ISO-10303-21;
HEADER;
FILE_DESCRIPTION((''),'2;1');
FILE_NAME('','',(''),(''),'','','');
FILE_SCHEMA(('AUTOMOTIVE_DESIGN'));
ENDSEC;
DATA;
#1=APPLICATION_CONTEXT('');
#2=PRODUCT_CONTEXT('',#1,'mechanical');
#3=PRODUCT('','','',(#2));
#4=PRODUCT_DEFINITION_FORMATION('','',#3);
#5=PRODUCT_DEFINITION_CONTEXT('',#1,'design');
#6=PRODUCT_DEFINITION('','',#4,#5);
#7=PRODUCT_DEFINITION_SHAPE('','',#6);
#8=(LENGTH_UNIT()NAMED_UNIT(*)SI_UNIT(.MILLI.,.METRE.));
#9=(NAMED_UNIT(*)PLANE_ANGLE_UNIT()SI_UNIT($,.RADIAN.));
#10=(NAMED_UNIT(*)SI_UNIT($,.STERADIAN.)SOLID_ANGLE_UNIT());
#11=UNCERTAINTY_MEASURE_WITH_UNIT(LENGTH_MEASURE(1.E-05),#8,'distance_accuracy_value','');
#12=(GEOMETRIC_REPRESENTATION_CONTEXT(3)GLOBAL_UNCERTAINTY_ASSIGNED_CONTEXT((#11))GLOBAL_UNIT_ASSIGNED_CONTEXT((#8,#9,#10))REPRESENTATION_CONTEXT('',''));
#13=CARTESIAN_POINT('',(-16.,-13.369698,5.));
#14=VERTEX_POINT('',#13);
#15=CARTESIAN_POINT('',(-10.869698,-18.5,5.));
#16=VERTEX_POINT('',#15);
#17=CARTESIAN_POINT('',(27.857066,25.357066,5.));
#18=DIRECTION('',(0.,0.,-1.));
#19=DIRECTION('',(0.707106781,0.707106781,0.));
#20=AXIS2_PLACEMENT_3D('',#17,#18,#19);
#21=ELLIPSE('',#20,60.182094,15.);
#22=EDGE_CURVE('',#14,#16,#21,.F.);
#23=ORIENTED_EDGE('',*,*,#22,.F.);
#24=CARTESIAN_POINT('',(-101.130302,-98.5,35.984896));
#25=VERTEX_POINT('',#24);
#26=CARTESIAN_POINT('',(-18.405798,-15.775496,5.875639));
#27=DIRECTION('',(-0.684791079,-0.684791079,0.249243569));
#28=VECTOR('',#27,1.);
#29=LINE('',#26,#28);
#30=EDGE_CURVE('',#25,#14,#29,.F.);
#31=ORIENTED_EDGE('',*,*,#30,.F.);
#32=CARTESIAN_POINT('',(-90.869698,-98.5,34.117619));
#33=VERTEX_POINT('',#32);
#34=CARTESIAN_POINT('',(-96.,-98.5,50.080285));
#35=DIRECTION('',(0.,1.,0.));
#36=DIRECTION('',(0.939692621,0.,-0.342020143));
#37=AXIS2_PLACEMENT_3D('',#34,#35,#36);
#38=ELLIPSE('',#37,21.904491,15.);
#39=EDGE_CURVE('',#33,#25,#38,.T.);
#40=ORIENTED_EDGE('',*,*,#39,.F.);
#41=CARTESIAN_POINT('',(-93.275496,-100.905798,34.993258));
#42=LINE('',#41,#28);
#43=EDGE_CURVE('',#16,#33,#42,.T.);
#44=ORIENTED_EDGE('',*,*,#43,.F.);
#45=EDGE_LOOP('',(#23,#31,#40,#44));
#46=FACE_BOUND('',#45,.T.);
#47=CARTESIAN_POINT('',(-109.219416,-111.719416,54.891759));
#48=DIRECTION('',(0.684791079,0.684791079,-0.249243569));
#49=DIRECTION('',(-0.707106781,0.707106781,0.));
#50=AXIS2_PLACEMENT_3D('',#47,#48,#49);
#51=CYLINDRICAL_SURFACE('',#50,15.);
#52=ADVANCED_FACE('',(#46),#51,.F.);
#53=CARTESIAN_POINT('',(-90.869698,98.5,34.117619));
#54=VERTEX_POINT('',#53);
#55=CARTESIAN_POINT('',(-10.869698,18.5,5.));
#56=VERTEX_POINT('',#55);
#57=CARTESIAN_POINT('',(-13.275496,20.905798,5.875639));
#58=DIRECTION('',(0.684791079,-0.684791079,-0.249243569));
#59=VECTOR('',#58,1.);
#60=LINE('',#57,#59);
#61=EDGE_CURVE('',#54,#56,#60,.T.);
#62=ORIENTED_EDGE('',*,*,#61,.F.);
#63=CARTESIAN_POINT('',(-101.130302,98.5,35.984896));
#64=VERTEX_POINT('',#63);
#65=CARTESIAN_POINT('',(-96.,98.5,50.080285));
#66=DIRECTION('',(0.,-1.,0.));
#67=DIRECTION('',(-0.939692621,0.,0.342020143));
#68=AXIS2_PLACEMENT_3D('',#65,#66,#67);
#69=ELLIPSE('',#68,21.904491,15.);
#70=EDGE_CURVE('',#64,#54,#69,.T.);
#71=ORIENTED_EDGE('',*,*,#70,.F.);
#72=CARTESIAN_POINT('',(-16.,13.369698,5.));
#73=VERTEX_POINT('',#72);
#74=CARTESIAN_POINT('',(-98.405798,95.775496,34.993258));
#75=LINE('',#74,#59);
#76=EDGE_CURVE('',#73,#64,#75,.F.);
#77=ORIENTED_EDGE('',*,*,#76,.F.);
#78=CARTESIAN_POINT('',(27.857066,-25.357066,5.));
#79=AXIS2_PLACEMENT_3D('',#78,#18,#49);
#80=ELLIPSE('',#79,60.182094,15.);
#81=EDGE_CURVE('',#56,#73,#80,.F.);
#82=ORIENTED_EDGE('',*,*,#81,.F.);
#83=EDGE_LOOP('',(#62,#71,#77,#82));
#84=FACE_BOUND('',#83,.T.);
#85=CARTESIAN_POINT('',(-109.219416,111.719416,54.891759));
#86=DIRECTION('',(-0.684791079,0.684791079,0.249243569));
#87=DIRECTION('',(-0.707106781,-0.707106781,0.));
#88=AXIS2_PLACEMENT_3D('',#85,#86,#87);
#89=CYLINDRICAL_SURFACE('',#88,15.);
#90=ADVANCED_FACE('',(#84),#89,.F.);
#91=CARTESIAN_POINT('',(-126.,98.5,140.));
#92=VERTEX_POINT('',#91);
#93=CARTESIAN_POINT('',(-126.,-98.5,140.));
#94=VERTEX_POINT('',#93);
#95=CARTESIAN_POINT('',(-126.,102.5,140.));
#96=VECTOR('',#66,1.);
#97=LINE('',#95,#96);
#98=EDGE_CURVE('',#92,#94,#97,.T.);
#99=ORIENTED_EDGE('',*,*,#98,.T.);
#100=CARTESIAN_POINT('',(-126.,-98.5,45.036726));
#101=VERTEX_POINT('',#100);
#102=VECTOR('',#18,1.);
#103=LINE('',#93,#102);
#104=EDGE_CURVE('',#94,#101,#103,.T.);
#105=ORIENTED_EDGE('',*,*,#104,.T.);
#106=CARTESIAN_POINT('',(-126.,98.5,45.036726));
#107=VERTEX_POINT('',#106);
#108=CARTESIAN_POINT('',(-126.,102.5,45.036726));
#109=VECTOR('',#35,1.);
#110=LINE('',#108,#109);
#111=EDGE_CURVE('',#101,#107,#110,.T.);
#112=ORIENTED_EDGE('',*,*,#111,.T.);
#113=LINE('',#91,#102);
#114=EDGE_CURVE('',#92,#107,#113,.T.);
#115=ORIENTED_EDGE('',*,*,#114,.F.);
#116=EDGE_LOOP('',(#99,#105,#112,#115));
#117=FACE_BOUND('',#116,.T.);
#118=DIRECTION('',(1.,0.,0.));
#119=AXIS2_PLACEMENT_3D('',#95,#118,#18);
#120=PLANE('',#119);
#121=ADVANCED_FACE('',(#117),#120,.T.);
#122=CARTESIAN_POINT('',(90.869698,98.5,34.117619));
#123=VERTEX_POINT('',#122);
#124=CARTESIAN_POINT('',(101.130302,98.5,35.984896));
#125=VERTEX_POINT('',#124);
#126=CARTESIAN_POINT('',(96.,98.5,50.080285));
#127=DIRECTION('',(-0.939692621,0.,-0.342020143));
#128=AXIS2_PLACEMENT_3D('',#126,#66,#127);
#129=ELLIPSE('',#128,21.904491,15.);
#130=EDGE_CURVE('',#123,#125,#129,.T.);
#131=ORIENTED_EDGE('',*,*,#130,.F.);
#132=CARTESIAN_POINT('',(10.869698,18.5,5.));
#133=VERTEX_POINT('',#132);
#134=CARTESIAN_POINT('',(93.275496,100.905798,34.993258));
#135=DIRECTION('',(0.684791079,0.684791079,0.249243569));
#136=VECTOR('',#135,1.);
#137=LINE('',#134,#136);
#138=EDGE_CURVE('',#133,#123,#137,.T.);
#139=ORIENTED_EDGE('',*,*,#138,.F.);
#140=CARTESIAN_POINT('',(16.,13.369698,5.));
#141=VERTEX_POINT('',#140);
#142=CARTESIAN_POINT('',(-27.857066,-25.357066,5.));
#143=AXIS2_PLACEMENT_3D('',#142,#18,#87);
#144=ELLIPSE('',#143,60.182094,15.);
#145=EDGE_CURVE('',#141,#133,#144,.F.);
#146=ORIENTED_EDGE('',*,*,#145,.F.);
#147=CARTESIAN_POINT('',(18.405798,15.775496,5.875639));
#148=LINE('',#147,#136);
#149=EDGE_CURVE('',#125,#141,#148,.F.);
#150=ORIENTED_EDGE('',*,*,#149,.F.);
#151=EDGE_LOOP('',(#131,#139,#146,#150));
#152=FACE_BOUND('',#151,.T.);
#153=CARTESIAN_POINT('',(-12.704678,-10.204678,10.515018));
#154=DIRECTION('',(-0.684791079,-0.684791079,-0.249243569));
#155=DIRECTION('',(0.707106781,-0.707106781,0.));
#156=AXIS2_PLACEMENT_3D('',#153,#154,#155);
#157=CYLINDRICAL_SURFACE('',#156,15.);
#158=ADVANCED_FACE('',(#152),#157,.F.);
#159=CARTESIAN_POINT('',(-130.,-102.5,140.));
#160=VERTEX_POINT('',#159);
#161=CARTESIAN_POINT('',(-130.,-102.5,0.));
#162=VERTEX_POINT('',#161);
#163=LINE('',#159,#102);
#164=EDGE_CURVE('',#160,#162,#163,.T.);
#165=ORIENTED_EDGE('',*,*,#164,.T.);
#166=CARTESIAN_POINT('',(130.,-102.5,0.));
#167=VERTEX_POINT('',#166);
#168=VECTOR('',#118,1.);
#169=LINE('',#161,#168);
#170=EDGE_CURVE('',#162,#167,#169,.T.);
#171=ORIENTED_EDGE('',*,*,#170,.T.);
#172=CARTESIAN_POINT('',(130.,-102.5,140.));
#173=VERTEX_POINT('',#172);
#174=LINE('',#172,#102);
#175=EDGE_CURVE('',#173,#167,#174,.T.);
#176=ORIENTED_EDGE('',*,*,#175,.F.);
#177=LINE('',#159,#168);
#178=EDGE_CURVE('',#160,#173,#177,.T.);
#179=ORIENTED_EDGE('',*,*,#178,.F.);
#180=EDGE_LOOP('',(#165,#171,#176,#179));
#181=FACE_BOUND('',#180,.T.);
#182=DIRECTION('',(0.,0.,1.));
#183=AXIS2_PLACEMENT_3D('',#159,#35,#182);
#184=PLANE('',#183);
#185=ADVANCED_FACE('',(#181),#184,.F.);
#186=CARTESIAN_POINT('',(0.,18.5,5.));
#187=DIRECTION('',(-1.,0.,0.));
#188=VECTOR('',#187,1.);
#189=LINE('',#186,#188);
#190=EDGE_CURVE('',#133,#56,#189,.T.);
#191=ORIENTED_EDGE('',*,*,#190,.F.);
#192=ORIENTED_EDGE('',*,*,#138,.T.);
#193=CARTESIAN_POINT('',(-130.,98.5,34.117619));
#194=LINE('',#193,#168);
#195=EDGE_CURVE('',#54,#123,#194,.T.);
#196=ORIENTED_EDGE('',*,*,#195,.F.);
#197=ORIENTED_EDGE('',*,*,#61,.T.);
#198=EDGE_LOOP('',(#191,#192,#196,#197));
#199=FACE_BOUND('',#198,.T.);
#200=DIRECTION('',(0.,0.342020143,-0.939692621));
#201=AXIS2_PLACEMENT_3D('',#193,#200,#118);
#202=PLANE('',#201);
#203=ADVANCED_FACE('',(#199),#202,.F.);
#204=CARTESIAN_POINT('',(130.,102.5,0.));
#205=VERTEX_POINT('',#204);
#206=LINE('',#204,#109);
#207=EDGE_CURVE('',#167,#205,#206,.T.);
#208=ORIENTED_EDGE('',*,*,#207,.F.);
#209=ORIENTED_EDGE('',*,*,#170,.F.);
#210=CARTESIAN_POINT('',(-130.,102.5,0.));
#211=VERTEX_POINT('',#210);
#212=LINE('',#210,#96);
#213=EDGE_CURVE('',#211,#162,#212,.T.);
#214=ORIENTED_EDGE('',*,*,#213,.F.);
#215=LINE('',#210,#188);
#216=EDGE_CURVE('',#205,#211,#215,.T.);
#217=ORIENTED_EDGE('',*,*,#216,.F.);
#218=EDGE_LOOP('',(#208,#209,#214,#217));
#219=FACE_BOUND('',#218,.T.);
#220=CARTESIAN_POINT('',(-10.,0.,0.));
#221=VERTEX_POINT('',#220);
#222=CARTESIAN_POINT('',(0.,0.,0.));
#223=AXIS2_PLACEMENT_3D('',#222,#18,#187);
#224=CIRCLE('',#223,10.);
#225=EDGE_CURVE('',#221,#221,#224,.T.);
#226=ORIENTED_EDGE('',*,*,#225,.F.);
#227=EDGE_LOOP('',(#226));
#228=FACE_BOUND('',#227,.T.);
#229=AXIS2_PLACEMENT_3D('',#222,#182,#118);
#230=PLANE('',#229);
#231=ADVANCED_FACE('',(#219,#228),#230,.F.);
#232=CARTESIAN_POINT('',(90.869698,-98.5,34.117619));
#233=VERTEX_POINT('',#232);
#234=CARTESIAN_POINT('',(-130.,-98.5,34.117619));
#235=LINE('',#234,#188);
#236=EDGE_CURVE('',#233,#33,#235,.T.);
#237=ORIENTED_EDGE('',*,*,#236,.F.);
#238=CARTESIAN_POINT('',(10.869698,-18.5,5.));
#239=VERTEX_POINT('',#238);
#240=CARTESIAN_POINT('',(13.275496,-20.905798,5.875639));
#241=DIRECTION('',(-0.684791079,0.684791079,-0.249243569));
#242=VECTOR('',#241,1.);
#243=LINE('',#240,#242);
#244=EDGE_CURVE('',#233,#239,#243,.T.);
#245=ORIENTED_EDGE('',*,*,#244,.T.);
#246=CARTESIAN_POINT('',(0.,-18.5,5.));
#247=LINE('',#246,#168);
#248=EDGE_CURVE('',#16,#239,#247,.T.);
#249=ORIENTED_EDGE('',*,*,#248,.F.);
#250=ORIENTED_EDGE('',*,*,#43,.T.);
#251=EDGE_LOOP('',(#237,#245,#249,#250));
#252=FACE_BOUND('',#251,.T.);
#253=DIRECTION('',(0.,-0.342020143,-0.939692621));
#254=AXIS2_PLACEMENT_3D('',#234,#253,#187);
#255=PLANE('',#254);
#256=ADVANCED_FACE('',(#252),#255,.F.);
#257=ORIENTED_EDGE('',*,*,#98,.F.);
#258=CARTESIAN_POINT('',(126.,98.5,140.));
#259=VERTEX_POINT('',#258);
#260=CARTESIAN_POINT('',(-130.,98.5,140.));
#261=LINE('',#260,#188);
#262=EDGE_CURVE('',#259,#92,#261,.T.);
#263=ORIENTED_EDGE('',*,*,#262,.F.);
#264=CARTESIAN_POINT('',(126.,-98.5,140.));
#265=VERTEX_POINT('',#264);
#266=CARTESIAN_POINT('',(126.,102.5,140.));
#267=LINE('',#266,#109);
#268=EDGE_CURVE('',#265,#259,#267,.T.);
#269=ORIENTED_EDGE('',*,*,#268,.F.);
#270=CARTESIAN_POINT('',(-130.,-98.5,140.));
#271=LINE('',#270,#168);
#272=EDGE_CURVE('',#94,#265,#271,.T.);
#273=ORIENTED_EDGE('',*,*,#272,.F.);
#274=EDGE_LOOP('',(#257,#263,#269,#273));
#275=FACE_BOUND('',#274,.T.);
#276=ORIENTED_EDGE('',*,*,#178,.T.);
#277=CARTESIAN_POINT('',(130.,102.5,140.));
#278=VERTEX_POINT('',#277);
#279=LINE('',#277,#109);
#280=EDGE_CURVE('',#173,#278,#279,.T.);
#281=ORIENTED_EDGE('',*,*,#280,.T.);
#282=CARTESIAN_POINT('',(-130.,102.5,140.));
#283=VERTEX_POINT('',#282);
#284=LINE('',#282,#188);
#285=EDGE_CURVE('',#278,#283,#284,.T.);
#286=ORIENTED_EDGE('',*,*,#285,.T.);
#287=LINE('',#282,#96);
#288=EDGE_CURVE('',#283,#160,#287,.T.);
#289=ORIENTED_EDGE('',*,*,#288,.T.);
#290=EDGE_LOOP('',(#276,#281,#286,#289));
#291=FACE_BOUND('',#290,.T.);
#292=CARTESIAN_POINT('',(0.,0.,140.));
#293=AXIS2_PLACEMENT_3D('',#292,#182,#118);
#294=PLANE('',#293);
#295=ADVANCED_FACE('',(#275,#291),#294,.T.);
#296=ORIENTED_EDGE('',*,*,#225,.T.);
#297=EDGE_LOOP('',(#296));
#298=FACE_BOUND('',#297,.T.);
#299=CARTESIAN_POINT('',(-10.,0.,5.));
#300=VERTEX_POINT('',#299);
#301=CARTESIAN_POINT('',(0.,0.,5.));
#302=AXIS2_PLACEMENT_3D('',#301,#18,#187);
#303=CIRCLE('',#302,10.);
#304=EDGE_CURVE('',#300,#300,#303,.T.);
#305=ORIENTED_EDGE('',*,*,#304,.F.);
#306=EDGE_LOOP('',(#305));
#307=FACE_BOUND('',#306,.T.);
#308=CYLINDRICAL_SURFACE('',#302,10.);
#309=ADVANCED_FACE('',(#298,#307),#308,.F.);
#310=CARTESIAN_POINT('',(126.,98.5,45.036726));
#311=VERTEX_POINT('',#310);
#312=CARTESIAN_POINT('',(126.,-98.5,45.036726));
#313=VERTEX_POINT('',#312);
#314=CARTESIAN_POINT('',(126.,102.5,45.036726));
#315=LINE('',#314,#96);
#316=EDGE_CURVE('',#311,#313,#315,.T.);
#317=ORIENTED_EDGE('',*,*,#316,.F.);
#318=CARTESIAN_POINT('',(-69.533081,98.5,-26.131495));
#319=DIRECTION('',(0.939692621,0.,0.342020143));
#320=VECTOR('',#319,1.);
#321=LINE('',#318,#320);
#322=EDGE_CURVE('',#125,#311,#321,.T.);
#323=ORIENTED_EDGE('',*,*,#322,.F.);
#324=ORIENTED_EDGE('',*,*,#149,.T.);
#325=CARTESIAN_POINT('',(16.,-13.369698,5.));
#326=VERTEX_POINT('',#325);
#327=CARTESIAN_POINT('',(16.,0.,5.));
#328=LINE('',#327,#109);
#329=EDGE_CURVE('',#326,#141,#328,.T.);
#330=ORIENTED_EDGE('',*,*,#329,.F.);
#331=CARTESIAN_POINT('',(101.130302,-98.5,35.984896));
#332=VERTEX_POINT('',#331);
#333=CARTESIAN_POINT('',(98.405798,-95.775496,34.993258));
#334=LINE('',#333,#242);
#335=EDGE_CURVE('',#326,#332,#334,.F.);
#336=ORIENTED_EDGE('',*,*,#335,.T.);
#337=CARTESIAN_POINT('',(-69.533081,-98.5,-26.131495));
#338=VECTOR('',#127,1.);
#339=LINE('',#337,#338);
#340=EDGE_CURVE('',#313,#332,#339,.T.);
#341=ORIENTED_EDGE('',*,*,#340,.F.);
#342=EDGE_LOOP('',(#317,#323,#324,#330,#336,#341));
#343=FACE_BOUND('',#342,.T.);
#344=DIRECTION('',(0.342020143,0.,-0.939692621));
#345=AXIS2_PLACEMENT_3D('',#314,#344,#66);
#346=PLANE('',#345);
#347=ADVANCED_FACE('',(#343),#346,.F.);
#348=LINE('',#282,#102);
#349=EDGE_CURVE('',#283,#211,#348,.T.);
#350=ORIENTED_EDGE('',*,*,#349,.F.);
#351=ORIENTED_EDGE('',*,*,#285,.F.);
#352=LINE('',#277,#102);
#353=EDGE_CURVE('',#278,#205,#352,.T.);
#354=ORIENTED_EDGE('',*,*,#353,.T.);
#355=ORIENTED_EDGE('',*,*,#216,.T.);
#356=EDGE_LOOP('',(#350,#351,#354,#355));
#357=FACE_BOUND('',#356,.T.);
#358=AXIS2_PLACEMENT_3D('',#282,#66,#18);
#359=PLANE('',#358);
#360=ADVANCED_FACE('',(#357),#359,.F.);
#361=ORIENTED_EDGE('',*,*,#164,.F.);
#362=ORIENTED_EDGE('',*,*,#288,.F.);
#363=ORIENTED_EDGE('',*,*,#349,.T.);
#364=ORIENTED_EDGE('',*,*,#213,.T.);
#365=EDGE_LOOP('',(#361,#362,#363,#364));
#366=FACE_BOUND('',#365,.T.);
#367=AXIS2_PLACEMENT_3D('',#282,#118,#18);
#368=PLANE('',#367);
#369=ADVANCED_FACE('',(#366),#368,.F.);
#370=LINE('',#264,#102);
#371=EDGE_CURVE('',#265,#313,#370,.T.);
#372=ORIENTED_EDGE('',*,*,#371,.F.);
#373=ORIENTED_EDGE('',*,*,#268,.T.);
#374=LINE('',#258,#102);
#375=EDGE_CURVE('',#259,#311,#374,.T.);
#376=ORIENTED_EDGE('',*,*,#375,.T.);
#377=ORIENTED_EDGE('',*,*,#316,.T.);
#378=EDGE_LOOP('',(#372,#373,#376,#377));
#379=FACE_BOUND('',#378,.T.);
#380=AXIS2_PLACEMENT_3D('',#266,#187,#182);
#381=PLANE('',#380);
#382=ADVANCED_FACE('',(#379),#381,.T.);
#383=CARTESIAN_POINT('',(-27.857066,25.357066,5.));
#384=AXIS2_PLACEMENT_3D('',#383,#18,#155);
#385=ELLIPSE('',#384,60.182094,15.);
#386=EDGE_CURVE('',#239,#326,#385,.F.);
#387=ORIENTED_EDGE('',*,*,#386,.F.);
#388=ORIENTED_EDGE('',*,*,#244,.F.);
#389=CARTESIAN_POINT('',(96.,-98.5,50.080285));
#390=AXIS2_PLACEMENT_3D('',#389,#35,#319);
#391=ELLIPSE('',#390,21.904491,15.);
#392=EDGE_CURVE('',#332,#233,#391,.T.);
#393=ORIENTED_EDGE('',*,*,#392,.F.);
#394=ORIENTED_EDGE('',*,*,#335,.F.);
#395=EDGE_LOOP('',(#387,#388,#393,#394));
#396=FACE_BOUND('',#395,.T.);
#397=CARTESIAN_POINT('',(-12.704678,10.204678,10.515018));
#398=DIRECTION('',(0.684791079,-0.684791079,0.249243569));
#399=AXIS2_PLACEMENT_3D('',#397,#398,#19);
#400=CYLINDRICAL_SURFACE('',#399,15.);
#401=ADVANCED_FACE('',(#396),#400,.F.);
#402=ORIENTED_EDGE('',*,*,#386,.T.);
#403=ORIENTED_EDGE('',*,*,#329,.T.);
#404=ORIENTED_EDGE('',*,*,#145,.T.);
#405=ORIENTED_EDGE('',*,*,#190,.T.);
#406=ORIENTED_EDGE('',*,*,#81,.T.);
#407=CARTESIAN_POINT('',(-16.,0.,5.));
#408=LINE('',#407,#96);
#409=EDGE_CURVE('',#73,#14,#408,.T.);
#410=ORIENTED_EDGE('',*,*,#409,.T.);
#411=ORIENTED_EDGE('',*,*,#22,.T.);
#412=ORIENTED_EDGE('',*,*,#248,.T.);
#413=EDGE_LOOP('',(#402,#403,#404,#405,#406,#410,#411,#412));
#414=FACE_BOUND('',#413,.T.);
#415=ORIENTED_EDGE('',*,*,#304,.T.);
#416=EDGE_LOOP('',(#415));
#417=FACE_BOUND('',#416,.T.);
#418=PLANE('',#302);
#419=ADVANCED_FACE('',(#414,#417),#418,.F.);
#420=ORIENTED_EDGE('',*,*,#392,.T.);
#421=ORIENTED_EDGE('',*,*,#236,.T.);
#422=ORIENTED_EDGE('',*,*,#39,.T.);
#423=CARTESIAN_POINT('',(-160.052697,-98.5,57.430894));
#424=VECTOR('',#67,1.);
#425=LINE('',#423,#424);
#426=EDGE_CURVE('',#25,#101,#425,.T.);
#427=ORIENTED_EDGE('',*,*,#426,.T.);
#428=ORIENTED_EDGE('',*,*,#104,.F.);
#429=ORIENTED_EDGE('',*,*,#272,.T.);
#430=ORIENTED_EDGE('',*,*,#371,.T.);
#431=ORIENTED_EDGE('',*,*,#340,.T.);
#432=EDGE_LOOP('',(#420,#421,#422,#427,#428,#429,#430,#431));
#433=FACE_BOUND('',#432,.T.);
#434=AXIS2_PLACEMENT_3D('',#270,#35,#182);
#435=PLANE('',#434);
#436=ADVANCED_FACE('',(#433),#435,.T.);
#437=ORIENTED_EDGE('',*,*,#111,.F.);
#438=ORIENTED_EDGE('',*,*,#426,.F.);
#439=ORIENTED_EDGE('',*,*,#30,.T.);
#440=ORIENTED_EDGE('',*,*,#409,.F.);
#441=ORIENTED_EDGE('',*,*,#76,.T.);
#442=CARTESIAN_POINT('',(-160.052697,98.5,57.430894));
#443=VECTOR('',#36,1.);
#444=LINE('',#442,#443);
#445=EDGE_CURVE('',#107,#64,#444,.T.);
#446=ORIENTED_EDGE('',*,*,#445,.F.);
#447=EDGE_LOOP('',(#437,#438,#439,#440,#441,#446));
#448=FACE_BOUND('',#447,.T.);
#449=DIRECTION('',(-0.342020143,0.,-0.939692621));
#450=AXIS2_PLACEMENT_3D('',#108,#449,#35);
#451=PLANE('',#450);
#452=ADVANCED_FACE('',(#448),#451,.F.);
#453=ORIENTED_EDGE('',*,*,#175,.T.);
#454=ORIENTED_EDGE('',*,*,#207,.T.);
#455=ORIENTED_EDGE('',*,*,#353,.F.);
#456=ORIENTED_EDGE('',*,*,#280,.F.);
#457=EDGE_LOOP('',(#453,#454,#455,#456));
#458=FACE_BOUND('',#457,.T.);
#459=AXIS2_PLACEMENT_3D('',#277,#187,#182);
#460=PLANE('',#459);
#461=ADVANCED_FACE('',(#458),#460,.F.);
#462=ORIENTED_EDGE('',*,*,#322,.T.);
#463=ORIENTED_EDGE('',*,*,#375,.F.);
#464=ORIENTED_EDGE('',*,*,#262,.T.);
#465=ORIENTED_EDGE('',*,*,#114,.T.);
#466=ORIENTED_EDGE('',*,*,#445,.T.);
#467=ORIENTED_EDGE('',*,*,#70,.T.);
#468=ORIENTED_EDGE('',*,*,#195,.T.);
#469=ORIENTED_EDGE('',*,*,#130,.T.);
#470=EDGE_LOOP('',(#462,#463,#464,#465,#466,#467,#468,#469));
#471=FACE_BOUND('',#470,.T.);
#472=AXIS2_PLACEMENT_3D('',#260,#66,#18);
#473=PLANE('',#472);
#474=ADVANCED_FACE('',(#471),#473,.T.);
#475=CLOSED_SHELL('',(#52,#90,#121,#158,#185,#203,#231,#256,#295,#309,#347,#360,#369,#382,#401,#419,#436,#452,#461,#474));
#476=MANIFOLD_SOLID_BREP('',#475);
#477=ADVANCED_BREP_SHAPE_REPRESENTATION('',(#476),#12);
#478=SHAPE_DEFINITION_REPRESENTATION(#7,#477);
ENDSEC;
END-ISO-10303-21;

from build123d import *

# Parameters (mm, degrees)
SKETCH_1_W          = 260
SKETCH_1_H          = 205
SKETCH_1_W_2        = 252
SKETCH_1_H_2        = 197
EXTRUDE_1_DEPTH     = 140
SKETCH_2_W          = 260
SKETCH_2_H          = 205
EXTRUDE_1_2_DEPTH   = 5
SKETCH_3_R          = 10
CUT_EXTRUDE_1_DEPTH = 5
CHAMFER_1_SIZE      = 80
CHAMFER_1_SIZE2     = 29.117618741
CHAMFER_2_SIZE      = 110
CHAMFER_2_SIZE2     = 40.036725769
FILLET_1_R          = 15


with BuildPart() as part:
    # 草图1 → Extrude 1 (new body)
    with BuildSketch(Plane.XY):
        Rectangle(SKETCH_1_W, SKETCH_1_H)
        Rectangle(SKETCH_1_W_2, SKETCH_1_H_2, mode=Mode.SUBTRACT)
    extrude(amount=EXTRUDE_1_DEPTH)

    # 草图2 → Extrude 1 2 (add)
    with BuildSketch(Plane(origin=(0, 0, 0), x_dir=(-1, 0, 0), z_dir=(0, 0, -1))):
        Rectangle(SKETCH_2_W, SKETCH_2_H)
    extrude(amount=-EXTRUDE_1_2_DEPTH)

    # 草图3 → 切除-拉伸1 (cut)
    with BuildSketch(Plane(origin=(0, 0, 0), x_dir=(-1, 0, 0), z_dir=(0, 0, -1))):
        Circle(SKETCH_3_R)
    extrude(amount=-CUT_EXTRUDE_1_DEPTH, mode=Mode.SUBTRACT)

    # 倒角1
    chamfer_1_edges = [part.edges().sort_by_distance(p)[0] for p in [
        (0, -98.5, 5),
        (0, 98.5, 5),
    ]]
    chamfer_1_side = [part.faces().sort_by_distance(p)[0] for p in [
        (122.801359664, 0, 5),
    ]]
    chamfer(chamfer_1_edges, length=CHAMFER_1_SIZE, length2=CHAMFER_1_SIZE2, reference=chamfer_1_side[0])

    # 倒角2
    chamfer_2_edges = [part.edges().sort_by_distance(p)[0] for p in [
        (-126, 0, 5),
        (126, 0, 5),
    ]]
    chamfer_2_side = [part.faces().sort_by_distance(p)[0] for p in [
        (123.452982136, 0, 5),
    ]]
    chamfer(chamfer_2_edges, length=CHAMFER_2_SIZE, length2=CHAMFER_2_SIZE2, reference=chamfer_2_side[0])

    # 圆角1
    fillet_1_edges = [part.edges().sort_by_distance(p)[0] for p in [
        (56, 58.5, 19.558809371),
        (-56, 58.5, 19.558809371),
        (56, -58.5, 19.558809371),
        (-56, -58.5, 19.558809371),
    ]]
    fillet(fillet_1_edges, radius=FILLET_1_R)


solid = part.part
